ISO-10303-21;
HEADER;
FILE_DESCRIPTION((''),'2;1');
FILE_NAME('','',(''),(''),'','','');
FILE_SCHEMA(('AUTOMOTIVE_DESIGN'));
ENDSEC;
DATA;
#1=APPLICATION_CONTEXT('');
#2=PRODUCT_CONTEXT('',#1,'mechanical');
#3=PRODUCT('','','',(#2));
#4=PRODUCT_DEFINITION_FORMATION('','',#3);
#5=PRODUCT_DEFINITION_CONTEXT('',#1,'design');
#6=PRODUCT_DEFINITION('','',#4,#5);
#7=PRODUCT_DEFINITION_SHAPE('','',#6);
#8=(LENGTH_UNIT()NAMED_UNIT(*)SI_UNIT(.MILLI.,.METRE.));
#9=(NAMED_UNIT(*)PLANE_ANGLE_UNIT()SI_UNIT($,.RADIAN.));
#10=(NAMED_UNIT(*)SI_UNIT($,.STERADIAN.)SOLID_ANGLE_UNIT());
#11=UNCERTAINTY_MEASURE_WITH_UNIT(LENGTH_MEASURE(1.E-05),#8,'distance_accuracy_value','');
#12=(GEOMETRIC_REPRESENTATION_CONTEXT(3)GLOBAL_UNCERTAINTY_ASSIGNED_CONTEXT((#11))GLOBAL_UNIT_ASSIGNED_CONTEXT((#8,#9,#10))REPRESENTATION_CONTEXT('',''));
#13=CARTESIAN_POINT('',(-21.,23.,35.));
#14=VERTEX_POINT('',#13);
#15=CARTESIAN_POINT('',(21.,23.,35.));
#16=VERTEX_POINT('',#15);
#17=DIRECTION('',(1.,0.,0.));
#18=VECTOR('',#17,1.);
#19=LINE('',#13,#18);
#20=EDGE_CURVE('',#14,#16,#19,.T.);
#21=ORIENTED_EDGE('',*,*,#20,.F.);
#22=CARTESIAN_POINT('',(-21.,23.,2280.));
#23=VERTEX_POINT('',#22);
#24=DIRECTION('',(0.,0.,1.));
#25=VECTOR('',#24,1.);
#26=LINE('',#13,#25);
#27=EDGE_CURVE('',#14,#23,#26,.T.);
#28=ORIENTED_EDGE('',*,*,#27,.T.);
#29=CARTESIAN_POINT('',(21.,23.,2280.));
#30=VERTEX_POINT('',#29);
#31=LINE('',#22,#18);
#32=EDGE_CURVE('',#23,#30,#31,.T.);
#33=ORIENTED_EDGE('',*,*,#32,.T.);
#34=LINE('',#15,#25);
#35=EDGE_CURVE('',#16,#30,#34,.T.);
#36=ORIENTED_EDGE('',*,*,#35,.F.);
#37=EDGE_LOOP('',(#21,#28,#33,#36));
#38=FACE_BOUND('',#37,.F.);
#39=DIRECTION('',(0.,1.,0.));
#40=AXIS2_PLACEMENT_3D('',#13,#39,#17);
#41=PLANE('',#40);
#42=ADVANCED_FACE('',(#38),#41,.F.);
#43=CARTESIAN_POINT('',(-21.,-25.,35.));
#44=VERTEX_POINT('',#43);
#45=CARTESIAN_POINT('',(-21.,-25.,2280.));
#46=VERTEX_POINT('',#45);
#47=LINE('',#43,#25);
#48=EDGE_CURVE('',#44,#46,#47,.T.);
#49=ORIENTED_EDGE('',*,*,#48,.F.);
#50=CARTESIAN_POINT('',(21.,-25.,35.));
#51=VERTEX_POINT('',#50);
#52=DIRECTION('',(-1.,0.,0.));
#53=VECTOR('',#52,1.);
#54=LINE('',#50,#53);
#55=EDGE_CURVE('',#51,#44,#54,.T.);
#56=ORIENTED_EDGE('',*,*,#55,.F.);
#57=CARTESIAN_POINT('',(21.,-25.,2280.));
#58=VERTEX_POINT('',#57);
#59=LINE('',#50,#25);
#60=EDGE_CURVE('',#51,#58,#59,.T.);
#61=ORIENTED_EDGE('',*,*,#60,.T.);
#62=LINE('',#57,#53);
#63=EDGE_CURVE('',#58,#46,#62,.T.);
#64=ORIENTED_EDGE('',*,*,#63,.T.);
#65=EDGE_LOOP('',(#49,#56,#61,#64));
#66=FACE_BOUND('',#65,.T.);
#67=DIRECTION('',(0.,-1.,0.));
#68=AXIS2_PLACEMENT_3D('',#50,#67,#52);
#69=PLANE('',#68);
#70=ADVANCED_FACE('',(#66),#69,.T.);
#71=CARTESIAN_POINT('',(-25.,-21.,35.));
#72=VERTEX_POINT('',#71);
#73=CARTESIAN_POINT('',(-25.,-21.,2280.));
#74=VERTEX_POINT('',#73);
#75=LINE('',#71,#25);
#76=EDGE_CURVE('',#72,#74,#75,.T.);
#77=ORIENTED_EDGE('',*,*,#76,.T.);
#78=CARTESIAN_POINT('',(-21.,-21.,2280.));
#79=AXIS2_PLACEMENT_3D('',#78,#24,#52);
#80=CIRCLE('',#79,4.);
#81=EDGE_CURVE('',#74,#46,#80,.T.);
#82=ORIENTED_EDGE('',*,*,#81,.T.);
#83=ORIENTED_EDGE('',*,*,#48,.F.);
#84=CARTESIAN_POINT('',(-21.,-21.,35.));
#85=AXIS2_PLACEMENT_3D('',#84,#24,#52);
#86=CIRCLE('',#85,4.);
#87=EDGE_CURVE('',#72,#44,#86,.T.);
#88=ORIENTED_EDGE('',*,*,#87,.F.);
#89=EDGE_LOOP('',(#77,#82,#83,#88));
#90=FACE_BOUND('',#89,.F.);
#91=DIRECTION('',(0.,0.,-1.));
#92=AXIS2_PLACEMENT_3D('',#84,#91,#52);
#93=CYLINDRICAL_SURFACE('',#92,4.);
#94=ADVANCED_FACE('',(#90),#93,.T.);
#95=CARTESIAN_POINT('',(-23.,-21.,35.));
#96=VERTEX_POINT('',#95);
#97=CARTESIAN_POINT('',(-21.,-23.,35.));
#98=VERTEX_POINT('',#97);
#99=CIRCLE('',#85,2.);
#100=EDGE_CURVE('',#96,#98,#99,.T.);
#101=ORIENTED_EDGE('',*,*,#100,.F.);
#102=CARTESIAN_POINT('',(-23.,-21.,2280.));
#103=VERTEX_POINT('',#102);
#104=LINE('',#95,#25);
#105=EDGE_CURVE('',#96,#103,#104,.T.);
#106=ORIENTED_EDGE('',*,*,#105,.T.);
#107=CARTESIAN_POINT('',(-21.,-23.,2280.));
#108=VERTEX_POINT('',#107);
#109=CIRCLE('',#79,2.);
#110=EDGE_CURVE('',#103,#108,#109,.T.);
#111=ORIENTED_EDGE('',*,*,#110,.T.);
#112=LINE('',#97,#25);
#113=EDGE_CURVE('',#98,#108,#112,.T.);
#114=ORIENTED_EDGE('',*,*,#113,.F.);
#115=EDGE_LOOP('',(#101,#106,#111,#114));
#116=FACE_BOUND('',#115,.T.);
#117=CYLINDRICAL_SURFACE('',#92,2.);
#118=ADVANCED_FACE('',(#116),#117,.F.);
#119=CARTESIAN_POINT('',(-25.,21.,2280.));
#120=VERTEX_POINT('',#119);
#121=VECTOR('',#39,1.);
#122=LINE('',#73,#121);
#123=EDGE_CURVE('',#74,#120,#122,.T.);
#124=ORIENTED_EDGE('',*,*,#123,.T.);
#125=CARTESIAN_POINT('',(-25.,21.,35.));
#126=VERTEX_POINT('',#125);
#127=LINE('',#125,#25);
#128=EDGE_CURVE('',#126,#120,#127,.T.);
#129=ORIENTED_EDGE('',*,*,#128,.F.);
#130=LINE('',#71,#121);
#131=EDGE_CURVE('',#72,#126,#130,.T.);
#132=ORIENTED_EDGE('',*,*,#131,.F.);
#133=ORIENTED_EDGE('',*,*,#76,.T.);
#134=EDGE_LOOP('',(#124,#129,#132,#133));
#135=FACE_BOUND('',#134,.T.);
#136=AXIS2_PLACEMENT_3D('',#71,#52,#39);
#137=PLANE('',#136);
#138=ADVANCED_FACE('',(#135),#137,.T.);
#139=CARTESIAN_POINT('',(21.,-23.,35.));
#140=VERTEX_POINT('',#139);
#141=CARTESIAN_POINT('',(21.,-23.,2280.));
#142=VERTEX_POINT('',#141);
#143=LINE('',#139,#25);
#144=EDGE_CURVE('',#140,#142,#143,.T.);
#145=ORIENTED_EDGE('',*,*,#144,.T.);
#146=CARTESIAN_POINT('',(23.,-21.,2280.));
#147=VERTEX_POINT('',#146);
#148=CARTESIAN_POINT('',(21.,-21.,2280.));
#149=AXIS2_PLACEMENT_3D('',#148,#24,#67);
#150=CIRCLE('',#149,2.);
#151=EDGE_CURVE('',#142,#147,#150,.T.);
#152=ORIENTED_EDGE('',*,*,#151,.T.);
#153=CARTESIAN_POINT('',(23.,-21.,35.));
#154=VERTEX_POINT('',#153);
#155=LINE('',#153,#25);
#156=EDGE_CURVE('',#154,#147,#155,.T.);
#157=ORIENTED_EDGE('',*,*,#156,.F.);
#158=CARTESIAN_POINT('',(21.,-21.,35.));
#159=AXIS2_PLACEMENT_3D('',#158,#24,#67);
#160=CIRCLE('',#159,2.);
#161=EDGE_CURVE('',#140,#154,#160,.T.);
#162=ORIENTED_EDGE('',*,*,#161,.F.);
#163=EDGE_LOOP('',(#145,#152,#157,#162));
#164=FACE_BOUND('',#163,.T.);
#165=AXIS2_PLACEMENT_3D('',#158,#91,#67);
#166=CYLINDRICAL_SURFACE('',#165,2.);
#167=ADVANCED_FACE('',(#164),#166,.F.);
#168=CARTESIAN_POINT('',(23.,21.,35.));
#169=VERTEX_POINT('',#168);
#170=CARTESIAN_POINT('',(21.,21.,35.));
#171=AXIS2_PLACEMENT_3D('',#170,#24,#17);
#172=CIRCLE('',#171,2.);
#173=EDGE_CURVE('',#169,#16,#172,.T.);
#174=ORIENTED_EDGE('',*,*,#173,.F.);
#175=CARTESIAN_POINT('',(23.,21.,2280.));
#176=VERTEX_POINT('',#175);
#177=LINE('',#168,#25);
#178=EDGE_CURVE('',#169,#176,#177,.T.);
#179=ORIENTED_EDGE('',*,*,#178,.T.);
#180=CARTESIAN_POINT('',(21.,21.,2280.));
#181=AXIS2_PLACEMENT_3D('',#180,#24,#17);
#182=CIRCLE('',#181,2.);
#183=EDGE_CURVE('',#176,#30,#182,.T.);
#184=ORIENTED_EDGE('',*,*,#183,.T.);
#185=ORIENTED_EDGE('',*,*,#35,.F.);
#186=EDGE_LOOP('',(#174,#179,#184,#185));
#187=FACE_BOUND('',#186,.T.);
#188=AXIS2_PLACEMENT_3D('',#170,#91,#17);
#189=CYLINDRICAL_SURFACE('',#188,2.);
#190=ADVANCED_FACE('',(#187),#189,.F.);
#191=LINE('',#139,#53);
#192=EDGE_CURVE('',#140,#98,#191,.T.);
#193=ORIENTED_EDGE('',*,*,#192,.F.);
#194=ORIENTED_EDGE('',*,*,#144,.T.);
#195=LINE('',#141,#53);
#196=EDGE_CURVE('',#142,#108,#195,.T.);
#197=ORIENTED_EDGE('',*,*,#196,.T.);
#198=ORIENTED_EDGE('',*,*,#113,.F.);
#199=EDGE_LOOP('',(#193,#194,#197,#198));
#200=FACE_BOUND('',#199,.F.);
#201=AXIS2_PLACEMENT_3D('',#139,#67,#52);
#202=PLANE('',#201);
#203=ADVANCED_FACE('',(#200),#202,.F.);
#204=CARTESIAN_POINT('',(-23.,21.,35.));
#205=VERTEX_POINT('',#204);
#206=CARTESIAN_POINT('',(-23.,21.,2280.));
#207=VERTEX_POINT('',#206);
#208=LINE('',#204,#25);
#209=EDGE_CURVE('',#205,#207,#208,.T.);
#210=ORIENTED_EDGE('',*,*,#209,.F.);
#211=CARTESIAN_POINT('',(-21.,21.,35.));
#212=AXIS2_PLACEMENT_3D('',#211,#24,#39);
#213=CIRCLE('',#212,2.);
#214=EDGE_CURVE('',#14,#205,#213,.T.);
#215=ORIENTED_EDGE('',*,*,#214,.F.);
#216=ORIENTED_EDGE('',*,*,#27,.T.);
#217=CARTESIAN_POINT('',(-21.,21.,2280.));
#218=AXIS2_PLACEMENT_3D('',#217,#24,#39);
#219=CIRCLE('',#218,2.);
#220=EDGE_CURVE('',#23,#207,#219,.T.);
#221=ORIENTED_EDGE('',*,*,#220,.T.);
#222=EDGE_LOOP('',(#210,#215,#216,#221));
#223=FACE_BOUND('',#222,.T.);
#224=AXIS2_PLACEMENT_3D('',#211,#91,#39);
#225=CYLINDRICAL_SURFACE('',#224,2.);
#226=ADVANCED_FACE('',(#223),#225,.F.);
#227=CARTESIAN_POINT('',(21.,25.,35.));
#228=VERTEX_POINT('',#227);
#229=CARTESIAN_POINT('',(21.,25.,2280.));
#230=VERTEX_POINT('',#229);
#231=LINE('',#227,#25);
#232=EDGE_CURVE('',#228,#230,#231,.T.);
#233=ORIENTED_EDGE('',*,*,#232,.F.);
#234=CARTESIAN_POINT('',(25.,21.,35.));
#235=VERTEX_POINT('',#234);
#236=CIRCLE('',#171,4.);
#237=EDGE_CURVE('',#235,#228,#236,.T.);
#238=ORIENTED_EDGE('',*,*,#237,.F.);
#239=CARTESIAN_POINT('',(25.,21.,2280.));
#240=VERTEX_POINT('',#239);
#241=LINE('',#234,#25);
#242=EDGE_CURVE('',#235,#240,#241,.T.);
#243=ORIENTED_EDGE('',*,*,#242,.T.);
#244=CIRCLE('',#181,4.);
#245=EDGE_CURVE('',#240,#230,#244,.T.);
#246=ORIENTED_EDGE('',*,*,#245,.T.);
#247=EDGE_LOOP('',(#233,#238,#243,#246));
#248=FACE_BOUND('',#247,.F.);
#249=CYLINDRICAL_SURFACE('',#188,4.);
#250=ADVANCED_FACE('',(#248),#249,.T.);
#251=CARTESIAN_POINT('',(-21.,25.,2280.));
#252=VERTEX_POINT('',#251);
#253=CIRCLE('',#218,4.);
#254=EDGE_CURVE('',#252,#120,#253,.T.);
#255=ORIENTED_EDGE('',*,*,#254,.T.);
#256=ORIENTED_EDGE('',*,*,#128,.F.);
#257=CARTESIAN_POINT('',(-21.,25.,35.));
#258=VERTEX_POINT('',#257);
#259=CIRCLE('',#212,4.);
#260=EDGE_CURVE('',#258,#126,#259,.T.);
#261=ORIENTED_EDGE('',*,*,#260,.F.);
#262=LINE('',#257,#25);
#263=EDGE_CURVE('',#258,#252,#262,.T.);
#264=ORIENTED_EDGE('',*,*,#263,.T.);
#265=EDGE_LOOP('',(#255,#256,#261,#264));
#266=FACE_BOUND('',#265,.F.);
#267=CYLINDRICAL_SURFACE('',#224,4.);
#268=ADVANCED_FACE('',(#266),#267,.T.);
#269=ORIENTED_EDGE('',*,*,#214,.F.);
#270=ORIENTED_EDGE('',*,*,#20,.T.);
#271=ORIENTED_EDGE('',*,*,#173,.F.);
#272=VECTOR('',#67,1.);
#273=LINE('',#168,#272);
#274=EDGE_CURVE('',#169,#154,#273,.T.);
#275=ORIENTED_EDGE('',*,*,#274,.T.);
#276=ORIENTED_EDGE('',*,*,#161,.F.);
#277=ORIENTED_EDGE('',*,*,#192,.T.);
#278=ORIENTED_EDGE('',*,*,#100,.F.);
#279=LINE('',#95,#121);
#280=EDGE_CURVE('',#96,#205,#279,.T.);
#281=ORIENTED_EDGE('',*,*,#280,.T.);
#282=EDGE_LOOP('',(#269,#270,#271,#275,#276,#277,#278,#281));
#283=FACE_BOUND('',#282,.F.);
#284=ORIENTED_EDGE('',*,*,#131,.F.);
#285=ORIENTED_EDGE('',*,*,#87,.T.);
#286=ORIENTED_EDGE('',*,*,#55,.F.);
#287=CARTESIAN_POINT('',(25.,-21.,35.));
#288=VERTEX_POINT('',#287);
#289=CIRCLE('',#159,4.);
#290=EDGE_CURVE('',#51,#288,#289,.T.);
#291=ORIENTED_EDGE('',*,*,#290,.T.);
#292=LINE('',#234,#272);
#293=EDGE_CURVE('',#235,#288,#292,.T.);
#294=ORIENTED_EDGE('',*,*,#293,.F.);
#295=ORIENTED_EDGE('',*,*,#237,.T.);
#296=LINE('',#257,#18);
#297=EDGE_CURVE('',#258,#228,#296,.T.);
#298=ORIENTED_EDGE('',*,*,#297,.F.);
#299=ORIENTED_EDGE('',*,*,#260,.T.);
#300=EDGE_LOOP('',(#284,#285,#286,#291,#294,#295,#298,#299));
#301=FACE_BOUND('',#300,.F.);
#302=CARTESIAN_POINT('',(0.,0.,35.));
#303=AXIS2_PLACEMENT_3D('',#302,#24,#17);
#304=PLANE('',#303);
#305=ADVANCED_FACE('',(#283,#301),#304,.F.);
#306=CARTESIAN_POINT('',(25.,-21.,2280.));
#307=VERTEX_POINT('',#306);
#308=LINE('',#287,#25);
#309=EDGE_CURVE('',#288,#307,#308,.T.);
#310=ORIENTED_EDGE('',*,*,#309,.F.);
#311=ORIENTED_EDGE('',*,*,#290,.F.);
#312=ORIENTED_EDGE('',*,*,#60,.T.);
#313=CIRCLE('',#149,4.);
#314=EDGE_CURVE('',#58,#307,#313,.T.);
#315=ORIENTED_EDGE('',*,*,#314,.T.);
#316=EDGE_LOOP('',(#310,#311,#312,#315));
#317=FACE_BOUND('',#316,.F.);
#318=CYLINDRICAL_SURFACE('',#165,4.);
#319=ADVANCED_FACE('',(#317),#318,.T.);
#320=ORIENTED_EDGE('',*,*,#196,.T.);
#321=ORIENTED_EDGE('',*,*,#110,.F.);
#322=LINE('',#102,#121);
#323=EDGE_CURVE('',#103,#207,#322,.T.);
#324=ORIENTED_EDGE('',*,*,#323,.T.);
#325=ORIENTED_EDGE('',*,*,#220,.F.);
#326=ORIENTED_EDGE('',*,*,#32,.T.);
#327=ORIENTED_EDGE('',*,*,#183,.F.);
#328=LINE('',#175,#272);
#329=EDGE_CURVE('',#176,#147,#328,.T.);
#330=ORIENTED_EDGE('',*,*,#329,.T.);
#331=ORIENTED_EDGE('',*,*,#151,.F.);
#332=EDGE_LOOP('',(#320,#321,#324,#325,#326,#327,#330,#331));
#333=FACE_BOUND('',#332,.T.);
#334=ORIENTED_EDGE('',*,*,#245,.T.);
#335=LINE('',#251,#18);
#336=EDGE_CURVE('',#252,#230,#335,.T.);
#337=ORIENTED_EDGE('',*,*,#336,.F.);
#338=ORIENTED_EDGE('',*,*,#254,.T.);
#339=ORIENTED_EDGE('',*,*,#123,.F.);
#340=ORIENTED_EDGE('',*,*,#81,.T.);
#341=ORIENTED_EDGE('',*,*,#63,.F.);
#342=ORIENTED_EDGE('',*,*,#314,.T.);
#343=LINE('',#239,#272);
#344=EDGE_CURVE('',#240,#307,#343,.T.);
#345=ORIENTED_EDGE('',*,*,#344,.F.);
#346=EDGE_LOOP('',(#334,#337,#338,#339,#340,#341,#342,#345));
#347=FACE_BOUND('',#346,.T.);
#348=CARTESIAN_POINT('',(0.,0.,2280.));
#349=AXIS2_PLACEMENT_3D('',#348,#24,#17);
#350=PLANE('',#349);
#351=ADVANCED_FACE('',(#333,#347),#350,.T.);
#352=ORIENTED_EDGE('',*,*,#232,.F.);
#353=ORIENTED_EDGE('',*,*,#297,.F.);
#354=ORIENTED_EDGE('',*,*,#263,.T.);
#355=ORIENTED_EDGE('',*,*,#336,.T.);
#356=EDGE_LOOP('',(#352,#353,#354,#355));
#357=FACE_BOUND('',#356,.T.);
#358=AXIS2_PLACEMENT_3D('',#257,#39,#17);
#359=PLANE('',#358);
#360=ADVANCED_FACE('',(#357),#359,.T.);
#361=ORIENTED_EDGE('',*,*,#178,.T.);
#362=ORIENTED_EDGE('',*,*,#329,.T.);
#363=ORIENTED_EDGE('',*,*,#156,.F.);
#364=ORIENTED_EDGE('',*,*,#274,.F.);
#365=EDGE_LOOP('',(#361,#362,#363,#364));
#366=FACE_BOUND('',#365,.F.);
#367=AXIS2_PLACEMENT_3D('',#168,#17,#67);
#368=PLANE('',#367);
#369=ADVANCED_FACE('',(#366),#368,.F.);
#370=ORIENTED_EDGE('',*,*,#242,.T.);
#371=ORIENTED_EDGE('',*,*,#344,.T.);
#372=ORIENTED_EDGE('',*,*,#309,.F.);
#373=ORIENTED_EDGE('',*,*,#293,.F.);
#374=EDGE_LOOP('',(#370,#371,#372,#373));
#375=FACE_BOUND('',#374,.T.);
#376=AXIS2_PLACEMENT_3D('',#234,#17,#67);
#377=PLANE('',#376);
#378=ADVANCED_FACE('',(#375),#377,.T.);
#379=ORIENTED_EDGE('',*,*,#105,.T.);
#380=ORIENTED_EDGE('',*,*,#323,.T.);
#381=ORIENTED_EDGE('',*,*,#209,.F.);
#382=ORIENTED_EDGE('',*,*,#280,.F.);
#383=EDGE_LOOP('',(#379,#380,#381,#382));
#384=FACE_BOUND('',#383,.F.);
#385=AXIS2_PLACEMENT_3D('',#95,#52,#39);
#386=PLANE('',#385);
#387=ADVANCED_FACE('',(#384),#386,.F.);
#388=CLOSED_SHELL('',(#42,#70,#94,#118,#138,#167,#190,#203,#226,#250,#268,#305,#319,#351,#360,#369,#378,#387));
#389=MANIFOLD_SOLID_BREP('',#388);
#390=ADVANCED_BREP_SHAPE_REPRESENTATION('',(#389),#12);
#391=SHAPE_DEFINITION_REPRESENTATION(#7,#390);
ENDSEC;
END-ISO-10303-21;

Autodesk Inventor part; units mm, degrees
ref_plane "Plano inicial" through (0, 0, 35) normal (0, 0, 1) x (1, 0, 0)
ref_plane "Plano final" through (0, 0, 2280) normal (0, 0, 1) x (1, 0, 0)
sketch "Boceto" plane through (0, 0, 0) normal (0, 0, 1) x (1, 0, 0)
  line L0 (-25, -21) -> (-25, 21)
  line L1 (-21, 25) -> (21, 25)
  line L2 (25, 21) -> (25, -21)
  line L3 (21, -25) -> (-21, -25)
  arc A0 (-25, -21) -> (-21, -25) centre (-21, -21) ccw
  arc A1 (25, 21) -> (21, 25) centre (21, 21) ccw
  arc A2 (-21, 25) -> (-25, 21) centre (-21, 21) ccw
  arc A3 (21, -25) -> (25, -21) centre (21, -21) ccw
  arc A4 (-21, 23) -> (-23, 21) centre (-21, 21) ccw
  line L4 (-21, 23) -> (21, 23)
  arc A5 (23, 21) -> (21, 23) centre (21, 21) ccw
  line L5 (23, 21) -> (23, -21)
  arc A6 (21, -23) -> (23, -21) centre (21, -21) ccw
  line L6 (21, -23) -> (-21, -23)
  arc A7 (-23, -21) -> (-21, -23) centre (-21, -21) ccw
  line L7 (-23, -21) -> (-23, 21)
  line L8 (0, 36.1598) -> (0, -36.1598) construction
  line L9 (-36.1598, 0) -> (36.1598, 0) construction
  dimension "d7" = 4
  dimension "d9" = 50
  dimension "d11" = 50
  dimension "d12" = 2
  dimension "d15" = 25
  dimension "d16" = 25
extrude "Cuerpo" add sketch "Boceto" along normal up to surface (2245 mm away) from surface at 35
sketch "Sketch3" plane through (0, 0, 0) normal (0, 0, 1) x (1, 0, 0)
  line L0 (0, 0) -> (10, 0)
ref_plane "Work Plane3" through (0, 0, 0) normal (0, -1, 0) x (1, 0, 0)
sketch "Sketch4" plane through (0, 0, 0) normal (0, -1, 0) x (1, 0, 0)
  line L0 (-2, 35) -> (12, 35)
  line L1 (-2, 2280) -> (12, 2280)
  dimension "d18" = 2245
ref_plane "Plano de trabajo4" through (349.94, 29, 35) normal (0, 0, -1) x (-1, 0, 0)
split "Dividir1" plane through (349.94, 29, 35) removes the side toward (0, 0, -1)
ref_plane "Plano de trabajo5" through (-150.06, 29, 2280) normal (0, 0, 1) x (1, 0, 0)
split "Dividir2" plane through (-150.06, 29, 2280) removes the side toward (0, 0, 1)
equation "\"d7\" = G_IR"
equation "\"d9\" = G_W"
equation "\"d11\" = G_H"
equation "\"d12\" = G_T"
equation "\"d15\" = 0.5 * d9"
equation "\"d16\" = 0.5 * d11"
equation "\"d3\" = G_L"
equation "\"G_W\" = 50"
equation "\"G_H\" = 50"
equation "\"G_T\" = 2"
equation "\"G_IR\" = 4"
equation "\"G_L\" = d18"
equation "\"G_OFFSET_START\" = -35"
equation "\"G_OFFSET_END\" = -35"
equation "\"d13\" = -G_OFFSET_START"
equation "\"B_L\" = 2315"
properties part number "ISO 10799-2 - 50x50x2 - 2245" material "Galvanizado catalogo 1"
